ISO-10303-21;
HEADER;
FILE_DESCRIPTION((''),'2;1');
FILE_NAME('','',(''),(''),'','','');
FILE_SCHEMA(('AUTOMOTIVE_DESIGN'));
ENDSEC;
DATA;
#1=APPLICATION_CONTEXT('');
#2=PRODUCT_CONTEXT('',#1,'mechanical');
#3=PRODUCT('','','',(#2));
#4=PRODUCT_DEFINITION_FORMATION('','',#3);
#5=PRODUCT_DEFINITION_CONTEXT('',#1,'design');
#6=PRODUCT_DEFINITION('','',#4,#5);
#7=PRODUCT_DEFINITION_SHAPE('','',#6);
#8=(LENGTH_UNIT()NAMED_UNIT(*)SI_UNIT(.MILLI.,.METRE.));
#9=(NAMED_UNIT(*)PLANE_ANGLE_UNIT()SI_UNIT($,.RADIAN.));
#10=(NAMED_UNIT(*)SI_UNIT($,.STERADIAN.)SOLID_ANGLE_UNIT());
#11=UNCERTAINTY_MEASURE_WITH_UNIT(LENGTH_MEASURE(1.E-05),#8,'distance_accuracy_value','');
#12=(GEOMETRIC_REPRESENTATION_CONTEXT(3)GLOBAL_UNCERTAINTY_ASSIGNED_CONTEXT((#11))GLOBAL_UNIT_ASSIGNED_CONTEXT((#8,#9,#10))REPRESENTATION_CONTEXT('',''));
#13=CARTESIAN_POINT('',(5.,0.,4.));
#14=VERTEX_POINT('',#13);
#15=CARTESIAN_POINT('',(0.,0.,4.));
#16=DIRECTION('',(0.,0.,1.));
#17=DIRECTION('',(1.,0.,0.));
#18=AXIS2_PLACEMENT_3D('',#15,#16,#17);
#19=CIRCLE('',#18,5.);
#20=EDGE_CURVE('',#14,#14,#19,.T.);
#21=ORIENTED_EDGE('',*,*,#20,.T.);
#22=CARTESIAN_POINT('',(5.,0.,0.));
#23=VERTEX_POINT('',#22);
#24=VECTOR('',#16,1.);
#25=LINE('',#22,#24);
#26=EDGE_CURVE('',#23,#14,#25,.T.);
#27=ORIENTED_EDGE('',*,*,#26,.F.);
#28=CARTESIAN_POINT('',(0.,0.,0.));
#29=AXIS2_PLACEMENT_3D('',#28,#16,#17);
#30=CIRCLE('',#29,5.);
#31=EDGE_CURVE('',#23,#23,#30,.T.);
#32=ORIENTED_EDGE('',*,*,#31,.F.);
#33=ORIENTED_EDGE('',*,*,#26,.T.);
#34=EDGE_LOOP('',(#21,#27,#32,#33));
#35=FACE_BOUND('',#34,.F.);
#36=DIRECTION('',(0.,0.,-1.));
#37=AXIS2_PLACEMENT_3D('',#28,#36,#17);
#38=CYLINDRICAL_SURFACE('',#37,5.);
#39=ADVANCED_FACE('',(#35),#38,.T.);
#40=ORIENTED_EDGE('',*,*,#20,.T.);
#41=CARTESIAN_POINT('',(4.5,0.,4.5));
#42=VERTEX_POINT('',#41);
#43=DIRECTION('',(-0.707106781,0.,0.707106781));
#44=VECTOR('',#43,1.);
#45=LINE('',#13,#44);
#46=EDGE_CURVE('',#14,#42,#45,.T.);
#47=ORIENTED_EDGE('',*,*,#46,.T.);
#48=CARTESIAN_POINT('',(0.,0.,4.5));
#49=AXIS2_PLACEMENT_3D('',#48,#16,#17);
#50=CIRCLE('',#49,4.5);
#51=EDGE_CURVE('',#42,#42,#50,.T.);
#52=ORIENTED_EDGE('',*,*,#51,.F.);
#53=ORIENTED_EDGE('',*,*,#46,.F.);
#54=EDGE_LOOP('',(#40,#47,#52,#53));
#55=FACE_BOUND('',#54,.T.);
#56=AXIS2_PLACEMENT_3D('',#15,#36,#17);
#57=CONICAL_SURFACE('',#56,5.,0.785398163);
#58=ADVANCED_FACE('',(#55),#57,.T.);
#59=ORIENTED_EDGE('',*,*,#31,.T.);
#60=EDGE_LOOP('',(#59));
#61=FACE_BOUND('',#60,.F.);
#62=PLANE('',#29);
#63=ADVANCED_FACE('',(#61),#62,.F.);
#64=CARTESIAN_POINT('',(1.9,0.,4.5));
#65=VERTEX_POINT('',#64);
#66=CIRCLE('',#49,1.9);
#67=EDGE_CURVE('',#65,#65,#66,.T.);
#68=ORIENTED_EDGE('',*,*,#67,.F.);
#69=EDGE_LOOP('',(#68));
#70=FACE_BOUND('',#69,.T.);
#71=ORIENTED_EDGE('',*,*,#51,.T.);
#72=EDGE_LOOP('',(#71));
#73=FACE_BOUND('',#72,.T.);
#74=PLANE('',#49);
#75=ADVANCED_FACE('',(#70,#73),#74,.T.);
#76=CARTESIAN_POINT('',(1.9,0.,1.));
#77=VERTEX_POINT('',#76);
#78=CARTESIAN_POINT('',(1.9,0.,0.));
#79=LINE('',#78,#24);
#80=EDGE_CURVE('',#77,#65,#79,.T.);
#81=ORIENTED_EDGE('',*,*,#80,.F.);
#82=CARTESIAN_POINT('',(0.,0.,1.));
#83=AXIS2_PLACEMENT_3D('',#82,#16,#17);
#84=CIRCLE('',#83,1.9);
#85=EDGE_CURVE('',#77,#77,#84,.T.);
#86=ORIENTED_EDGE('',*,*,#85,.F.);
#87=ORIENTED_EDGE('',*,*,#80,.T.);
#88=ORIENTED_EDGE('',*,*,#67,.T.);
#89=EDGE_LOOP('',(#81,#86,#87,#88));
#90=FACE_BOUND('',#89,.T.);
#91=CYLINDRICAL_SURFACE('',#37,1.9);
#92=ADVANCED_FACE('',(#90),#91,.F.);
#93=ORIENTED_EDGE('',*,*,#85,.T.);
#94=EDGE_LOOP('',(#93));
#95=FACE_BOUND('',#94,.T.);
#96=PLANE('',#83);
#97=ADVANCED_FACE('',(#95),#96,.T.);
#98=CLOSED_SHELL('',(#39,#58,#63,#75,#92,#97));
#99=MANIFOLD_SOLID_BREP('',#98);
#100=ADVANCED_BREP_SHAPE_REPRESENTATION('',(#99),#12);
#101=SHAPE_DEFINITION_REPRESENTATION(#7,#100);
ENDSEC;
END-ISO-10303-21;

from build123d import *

# Parameters (mm, degrees)
F0_R     = 5
F0_R_2   = 1.9
F1_DEPTH = 4.5
F2_DEPTH = 1
F3_SIZE  = 0.5


with BuildPart() as f1:
    # F0 (on Top) → F1 (new body)
    with BuildSketch(Plane.XY):
        Circle(F0_R)
        Circle(F0_R_2, mode=Mode.SUBTRACT)
    extrude(amount=F1_DEPTH)

    # F0 (on Top) → F2 (join)
    with BuildSketch(Plane.XY):
        Circle(F0_R_2)
    extrude(amount=F2_DEPTH)

    # F3
    f3_edges = [f1.edges().sort_by_distance(p)[0] for p in [
        (-5, 0, 4.5),
    ]]
    chamfer(f3_edges, length=F3_SIZE)


solid = f1.part
